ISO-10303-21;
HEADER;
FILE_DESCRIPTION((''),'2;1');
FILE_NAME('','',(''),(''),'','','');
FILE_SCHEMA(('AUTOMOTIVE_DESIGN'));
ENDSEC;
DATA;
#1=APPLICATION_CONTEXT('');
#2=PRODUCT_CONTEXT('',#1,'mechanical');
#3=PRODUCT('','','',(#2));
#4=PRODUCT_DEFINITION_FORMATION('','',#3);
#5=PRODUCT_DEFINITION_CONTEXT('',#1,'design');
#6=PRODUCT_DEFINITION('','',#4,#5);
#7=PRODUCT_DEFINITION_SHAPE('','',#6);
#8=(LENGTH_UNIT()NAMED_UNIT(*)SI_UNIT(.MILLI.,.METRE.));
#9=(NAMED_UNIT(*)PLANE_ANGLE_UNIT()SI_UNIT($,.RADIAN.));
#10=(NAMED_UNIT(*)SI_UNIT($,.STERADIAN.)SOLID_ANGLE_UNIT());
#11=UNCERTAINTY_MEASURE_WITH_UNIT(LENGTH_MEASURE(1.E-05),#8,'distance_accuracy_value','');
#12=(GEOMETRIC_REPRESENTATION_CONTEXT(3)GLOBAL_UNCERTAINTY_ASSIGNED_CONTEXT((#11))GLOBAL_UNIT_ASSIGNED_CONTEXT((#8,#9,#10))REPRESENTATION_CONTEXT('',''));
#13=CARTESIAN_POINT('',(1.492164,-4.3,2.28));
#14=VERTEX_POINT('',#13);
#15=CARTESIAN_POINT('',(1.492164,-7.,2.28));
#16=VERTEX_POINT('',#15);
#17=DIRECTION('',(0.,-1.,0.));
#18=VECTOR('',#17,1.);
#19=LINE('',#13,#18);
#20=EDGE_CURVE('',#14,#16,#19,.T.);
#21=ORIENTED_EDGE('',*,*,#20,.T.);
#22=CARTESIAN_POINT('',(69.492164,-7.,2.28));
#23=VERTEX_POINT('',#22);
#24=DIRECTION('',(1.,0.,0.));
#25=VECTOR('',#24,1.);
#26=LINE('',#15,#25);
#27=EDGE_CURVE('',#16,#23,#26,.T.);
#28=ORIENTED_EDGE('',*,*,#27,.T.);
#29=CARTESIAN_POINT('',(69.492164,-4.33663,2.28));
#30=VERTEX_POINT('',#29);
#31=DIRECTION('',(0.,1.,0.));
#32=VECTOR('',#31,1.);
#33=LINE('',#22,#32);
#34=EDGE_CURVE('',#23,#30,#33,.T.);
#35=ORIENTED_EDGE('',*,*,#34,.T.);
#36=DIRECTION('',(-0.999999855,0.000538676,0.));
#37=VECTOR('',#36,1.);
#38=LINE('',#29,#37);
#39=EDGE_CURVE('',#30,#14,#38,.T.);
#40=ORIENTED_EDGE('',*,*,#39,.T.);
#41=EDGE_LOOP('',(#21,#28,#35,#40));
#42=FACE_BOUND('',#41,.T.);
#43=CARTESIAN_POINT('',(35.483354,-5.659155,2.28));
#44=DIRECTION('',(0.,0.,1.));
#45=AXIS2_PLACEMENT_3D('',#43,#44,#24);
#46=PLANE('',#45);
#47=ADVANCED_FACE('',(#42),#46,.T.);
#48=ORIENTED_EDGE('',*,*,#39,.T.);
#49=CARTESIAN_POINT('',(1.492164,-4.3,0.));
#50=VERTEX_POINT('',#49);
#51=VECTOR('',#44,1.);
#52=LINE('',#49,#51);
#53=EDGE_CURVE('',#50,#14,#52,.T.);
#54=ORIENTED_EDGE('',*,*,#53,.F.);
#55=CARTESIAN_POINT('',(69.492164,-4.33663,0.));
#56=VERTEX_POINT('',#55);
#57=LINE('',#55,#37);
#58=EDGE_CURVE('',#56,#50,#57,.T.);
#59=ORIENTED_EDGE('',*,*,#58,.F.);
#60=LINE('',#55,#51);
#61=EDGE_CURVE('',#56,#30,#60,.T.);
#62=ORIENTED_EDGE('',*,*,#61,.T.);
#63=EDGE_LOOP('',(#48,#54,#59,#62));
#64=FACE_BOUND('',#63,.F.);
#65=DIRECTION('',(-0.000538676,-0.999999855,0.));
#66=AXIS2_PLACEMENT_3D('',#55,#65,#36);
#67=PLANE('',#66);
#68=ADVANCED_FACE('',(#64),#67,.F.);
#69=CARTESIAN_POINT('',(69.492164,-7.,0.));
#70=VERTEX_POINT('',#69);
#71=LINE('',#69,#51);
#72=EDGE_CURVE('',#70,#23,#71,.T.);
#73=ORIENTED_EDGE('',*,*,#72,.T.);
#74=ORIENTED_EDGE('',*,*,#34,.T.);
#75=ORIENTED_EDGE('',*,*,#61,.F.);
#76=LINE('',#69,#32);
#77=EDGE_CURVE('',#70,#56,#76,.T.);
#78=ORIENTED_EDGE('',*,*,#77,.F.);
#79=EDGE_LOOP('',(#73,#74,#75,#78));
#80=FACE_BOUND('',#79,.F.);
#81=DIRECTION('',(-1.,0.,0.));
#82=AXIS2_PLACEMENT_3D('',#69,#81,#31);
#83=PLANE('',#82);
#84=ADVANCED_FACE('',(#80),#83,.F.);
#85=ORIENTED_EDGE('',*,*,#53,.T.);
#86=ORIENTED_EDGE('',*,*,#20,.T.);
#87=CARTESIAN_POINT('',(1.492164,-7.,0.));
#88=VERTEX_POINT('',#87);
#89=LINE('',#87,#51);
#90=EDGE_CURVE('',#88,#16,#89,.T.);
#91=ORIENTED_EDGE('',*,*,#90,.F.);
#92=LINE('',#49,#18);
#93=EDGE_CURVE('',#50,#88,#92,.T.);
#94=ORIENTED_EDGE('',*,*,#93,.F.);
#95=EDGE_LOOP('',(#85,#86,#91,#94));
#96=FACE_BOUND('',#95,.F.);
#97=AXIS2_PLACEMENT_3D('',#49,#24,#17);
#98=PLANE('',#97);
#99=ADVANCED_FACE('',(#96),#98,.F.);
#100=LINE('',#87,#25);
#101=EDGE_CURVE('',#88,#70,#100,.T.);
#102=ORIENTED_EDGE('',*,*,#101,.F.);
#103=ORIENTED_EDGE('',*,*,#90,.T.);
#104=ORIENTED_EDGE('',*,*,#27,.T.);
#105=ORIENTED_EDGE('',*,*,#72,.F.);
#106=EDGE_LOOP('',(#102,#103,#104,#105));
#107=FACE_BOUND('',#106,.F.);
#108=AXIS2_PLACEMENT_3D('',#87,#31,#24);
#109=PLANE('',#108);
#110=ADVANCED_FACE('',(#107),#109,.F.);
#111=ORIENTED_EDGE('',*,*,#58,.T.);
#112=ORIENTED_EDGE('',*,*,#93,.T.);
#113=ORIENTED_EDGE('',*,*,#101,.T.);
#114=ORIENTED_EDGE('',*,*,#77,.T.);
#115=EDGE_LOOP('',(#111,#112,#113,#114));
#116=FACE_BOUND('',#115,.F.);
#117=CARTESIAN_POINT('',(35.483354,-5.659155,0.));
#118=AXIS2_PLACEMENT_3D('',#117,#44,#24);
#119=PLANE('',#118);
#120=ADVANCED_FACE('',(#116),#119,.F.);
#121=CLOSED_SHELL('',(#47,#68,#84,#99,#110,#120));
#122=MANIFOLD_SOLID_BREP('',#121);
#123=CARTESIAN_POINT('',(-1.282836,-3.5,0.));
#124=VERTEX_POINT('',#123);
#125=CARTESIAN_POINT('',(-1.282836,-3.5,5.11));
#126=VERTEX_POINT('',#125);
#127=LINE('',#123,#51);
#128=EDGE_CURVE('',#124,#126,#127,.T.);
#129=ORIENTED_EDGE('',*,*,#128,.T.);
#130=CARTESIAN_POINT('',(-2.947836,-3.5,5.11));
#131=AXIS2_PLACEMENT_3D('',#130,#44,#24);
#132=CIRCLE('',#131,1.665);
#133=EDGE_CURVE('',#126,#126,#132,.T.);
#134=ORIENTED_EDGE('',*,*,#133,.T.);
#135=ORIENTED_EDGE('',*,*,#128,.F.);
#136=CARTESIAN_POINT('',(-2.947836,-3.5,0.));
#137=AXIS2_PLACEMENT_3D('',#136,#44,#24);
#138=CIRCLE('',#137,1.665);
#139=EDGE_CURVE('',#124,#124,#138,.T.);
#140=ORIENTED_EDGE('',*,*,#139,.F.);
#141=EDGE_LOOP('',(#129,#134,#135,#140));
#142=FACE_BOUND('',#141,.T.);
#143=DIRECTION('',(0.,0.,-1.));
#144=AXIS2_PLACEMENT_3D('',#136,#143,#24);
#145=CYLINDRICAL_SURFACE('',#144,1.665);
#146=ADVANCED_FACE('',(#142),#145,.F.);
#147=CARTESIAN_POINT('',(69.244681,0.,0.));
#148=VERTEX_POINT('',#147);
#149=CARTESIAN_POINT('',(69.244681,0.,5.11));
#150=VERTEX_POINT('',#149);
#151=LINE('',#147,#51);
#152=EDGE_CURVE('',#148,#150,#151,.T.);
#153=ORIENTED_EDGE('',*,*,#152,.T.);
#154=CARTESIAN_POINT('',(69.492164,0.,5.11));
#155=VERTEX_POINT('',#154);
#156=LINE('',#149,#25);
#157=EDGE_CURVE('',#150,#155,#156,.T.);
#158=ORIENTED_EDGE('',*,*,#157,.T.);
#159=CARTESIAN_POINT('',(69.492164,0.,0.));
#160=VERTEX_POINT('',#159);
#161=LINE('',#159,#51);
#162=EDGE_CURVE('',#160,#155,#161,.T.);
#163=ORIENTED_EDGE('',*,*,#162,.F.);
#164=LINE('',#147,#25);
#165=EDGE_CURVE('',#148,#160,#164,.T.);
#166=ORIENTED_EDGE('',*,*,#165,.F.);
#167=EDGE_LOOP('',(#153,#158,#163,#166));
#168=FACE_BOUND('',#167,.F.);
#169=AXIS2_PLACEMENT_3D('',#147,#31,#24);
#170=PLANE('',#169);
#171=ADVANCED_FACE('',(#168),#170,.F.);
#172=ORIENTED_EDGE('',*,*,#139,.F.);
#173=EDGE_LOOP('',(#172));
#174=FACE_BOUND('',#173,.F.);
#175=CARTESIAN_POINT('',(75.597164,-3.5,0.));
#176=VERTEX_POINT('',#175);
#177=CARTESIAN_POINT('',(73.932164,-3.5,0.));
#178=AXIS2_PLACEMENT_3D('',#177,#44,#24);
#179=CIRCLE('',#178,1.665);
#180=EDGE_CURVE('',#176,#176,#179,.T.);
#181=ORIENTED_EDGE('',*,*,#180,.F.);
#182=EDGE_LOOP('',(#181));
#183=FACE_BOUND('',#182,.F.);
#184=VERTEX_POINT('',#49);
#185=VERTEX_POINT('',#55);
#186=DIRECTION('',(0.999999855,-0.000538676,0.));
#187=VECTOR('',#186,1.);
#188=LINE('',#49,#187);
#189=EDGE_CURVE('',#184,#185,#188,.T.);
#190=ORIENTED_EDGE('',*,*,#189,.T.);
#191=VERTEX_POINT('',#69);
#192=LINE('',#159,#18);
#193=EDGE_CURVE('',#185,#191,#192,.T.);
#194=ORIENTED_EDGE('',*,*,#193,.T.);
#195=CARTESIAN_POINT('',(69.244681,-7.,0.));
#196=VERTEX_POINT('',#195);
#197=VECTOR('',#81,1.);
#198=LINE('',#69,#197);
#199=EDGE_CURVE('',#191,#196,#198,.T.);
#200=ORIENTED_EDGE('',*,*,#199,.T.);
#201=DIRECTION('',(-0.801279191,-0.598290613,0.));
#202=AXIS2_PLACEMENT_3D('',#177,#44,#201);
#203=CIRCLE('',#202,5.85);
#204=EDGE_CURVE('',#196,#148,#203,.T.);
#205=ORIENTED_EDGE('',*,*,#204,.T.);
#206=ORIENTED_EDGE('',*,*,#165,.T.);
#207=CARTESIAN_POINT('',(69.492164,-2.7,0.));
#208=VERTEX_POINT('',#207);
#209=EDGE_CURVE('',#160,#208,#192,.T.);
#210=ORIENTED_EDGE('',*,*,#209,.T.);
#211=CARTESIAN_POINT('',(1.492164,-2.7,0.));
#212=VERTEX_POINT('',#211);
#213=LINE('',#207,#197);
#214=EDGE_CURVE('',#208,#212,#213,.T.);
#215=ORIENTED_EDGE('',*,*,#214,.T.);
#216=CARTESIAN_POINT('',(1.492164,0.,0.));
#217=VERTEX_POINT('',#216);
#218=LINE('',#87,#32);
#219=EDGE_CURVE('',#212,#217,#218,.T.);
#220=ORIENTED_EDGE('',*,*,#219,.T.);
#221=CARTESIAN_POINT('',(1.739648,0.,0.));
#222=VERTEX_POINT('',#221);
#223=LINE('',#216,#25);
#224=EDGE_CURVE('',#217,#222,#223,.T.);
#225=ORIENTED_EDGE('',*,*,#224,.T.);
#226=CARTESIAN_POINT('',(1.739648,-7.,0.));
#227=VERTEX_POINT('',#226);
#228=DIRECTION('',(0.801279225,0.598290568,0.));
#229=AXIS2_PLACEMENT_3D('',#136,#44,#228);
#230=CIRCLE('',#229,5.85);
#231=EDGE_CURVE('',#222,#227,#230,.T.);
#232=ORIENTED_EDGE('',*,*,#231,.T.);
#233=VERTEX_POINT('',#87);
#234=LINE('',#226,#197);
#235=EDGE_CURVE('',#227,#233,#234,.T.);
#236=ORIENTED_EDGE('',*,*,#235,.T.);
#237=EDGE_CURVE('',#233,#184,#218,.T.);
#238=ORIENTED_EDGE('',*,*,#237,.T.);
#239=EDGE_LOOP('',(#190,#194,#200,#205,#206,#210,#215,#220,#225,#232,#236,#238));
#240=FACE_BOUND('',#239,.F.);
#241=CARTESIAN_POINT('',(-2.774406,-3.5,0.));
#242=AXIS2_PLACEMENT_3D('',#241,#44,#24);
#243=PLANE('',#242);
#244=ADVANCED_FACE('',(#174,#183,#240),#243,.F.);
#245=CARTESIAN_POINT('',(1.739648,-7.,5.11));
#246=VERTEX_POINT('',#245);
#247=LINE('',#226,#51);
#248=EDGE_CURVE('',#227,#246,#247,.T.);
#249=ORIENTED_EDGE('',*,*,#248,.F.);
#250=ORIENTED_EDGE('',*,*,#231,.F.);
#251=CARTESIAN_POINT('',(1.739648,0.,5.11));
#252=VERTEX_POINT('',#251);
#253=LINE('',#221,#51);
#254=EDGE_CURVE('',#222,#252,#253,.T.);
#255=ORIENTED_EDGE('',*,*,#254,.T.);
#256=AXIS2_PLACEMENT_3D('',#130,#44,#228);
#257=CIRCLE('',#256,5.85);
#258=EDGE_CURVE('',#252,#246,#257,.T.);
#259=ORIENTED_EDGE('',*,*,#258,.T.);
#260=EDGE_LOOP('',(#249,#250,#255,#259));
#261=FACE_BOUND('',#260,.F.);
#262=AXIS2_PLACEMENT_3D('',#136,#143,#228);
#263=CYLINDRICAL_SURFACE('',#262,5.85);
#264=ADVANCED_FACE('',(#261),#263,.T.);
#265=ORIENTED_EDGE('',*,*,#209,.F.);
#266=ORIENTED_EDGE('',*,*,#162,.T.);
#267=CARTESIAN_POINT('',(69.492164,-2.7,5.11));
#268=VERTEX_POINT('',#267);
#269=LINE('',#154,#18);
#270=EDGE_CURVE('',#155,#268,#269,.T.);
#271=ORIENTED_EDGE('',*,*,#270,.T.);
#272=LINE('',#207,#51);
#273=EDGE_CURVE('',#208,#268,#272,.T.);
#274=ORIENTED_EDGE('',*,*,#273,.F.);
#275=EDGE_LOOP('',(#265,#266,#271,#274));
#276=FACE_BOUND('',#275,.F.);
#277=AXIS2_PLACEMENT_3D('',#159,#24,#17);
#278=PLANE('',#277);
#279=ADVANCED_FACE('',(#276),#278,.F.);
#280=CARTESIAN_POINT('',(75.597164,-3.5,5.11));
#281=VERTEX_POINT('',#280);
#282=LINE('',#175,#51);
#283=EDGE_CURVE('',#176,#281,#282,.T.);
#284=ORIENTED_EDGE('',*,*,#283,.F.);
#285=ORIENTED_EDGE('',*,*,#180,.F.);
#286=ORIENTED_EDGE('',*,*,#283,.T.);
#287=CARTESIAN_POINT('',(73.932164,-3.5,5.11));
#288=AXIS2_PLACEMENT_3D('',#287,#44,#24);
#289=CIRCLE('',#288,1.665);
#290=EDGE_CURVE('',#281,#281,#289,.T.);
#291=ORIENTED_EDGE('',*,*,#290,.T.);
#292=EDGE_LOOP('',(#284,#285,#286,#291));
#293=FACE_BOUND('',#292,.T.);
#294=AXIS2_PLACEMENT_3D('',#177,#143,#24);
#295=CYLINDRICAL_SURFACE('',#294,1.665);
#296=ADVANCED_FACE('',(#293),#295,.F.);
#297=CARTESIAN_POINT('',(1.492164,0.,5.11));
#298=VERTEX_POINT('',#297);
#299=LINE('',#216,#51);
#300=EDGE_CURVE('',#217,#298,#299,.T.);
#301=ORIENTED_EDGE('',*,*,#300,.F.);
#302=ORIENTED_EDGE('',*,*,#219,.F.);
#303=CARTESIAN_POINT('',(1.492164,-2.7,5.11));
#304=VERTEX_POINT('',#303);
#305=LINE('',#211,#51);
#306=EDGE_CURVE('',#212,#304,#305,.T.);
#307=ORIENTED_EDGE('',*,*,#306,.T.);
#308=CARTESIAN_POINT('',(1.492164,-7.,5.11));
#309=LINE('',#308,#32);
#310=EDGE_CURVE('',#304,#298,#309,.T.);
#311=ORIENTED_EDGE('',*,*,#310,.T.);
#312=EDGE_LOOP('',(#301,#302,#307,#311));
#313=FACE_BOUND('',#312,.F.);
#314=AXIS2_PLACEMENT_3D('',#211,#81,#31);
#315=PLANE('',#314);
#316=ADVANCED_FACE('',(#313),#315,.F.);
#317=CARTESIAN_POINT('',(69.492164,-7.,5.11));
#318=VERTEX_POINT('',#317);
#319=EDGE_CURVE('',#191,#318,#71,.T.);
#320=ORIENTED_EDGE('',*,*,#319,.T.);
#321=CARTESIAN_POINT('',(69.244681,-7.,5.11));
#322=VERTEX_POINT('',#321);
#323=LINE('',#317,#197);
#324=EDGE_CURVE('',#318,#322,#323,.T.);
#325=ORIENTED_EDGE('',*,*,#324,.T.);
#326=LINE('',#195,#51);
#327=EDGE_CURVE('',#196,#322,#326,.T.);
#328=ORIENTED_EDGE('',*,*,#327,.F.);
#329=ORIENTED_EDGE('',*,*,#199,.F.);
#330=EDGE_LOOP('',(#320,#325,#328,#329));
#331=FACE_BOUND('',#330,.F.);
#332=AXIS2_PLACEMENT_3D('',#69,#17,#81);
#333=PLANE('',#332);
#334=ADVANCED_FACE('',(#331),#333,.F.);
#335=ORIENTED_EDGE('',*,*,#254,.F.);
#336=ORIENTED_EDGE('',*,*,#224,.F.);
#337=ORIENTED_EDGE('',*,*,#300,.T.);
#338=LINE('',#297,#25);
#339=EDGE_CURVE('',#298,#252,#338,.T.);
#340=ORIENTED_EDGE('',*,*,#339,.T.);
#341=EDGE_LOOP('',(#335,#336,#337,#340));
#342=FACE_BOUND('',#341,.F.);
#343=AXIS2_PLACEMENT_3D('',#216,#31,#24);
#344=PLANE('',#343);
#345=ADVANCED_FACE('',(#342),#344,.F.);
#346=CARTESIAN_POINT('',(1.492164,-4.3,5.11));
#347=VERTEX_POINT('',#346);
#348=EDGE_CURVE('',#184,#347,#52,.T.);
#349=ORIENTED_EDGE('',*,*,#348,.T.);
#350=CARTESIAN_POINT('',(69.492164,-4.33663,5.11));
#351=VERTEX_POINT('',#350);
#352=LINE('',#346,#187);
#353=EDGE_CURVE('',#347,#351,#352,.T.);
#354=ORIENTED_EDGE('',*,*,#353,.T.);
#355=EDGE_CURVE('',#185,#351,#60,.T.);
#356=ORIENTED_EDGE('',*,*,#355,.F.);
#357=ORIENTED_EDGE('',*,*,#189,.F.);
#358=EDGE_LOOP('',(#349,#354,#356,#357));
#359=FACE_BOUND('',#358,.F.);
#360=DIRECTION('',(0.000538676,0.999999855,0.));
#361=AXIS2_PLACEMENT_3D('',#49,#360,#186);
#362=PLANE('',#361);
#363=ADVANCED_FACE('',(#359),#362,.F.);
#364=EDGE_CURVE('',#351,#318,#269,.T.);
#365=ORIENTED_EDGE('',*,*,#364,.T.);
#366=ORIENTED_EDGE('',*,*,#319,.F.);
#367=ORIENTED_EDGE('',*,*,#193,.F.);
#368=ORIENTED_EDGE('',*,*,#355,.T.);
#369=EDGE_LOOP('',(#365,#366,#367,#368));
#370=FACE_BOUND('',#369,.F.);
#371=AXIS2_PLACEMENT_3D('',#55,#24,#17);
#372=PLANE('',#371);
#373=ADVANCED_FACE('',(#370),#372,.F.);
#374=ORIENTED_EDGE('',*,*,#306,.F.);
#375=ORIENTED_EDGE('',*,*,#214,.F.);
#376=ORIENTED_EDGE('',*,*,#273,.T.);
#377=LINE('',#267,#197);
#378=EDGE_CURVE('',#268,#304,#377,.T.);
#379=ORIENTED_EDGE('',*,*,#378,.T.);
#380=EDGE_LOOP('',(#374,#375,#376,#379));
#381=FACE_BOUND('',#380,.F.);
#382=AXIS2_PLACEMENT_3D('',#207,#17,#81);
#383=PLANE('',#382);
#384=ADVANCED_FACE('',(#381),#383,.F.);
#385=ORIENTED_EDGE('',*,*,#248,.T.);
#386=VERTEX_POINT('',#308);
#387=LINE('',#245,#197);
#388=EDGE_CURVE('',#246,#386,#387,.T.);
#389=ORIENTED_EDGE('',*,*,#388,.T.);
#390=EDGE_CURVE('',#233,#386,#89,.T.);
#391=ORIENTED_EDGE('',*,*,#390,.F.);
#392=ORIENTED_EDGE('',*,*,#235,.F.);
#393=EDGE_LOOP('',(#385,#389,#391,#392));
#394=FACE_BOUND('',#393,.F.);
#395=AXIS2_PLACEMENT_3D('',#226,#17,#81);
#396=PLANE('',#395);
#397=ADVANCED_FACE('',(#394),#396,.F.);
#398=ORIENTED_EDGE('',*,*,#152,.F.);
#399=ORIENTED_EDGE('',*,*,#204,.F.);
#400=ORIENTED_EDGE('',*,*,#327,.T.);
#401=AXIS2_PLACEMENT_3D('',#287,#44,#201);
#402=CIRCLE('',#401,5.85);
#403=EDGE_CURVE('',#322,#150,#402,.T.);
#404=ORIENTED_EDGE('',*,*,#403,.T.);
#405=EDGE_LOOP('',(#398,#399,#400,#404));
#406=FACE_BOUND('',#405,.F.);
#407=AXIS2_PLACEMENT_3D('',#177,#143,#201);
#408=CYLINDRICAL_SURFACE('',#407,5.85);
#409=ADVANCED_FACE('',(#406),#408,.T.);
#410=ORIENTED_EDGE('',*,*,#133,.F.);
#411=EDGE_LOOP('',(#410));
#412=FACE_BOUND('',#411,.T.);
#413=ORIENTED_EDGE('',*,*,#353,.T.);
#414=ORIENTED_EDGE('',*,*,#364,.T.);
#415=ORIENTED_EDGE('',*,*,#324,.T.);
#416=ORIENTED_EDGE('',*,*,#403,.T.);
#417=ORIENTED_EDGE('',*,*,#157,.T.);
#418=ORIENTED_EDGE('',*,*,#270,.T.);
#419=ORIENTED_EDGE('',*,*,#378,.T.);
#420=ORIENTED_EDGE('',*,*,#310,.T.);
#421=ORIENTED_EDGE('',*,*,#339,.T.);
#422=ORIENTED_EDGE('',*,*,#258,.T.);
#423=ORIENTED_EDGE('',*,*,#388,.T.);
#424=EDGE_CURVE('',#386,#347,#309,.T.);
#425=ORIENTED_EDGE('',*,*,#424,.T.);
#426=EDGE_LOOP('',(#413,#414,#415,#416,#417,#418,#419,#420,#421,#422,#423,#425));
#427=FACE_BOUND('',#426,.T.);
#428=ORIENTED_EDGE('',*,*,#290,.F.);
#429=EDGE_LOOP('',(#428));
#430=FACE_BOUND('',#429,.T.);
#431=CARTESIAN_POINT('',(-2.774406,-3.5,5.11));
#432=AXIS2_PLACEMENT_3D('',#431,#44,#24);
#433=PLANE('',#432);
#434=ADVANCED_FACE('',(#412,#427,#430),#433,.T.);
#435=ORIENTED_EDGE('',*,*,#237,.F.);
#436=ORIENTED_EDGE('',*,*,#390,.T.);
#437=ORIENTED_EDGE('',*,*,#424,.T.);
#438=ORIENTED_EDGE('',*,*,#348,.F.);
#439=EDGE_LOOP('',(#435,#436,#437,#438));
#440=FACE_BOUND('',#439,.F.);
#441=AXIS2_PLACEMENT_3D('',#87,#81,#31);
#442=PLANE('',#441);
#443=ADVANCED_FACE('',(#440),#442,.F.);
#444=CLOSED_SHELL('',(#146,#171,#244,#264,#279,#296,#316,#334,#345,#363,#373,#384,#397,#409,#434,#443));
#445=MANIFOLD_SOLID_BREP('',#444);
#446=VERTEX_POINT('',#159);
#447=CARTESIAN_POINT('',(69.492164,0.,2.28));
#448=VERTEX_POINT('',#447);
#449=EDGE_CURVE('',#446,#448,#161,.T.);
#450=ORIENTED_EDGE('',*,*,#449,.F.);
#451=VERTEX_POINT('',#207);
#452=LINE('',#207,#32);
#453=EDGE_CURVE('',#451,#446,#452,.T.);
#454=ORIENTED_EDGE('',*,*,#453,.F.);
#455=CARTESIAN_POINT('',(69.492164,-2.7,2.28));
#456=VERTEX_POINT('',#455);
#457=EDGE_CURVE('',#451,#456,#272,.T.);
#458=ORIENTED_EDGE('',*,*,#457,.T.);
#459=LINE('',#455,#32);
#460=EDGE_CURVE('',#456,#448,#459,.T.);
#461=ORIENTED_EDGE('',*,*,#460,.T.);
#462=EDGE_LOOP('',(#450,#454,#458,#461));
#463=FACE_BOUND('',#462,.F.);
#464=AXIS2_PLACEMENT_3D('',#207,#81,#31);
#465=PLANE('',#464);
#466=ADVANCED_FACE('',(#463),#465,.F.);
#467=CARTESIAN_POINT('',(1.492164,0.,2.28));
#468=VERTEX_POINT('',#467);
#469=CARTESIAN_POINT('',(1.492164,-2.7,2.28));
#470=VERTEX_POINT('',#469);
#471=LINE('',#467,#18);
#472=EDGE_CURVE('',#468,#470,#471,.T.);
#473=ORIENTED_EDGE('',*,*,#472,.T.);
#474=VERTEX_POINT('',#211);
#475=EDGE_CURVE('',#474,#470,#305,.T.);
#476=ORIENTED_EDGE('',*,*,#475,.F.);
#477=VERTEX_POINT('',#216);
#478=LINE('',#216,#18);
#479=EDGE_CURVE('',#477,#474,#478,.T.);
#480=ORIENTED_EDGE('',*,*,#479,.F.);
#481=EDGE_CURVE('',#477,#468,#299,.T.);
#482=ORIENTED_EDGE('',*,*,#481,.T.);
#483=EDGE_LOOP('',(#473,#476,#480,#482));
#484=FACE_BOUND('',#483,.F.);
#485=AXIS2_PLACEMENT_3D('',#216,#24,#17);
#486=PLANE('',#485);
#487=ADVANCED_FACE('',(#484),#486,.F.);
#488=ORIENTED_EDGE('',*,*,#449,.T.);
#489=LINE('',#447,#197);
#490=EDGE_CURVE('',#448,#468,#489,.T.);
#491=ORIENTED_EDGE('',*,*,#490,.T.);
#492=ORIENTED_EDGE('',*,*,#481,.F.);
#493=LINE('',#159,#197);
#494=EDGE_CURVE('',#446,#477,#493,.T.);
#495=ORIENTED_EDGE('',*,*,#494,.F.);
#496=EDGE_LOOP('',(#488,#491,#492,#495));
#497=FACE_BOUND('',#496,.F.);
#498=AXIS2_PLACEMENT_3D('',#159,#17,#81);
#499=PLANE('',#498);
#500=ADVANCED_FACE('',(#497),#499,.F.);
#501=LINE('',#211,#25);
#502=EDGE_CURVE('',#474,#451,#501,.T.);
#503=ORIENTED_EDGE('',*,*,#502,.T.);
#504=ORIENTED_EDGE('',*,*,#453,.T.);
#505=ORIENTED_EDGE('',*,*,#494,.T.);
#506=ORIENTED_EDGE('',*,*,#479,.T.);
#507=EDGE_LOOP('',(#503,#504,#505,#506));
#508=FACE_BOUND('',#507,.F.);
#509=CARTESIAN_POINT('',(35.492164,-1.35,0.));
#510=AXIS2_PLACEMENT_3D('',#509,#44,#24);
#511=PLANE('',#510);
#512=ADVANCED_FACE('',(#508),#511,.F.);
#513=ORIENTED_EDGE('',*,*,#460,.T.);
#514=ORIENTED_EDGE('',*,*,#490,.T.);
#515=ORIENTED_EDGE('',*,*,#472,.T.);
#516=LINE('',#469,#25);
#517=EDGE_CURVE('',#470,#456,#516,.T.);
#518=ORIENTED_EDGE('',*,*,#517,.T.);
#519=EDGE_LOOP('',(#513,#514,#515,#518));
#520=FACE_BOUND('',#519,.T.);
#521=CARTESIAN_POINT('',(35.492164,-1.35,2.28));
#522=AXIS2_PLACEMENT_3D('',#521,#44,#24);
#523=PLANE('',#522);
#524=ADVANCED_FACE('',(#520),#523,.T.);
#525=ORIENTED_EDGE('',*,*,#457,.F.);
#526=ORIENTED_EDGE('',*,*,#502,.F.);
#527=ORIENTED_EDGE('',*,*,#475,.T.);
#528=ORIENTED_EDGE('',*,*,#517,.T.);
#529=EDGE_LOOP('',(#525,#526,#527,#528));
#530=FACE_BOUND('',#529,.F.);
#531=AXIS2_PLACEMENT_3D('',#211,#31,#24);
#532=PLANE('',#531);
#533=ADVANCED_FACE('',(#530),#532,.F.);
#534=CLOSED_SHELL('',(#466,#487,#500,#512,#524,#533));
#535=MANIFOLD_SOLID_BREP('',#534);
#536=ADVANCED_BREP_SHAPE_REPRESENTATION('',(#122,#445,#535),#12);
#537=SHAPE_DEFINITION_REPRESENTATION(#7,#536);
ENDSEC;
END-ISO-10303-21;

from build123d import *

# Parameters (mm, degrees)
F1_DEPTH = 2.28
F0_R     = 1.665
F2_DEPTH = 5.11


with BuildPart() as f1:
    # F0 (on Top) → F1 (new body)
    with BuildSketch(Plane.XY):
        Polygon((1.739648, 0), (1.492164, 0), (1.492164, -2.7), (69.492164, -2.7), (69.492164, 0), (69.244681, 0), align=None)
        Polygon((1.492164, -7), (1.739648, -7), (69.244681, -7), (69.492164, -7), (69.492164, -4.33663), (1.492164, -4.3), align=None)
    extrude(amount=F1_DEPTH)


with BuildPart() as f2:
    # F0 (on Top) → F2 (new body)
    with BuildSketch(Plane.XY):
        with BuildLine():
            Line((1.492164, -2.7), (1.492164, 0))
            Line((1.492164, 0), (1.739648, 0))
            ThreePointArc((1.739648, 0), (-8.797836, -3.5), (1.739648, -7))
            Line((1.739648, -7), (1.492164, -7))
            Line((1.492164, -7), (1.492164, -4.3))
            Line((1.492164, -4.3), (1.492164, -2.7))
        make_face()
        with Locations((-2.947836, -3.5)):
            Circle(F0_R, mode=Mode.SUBTRACT)
        Polygon((69.492164, -2.7), (1.492164, -2.7), (1.492164, -4.3), (69.492164, -4.33663), align=None)
        with BuildLine():
            ThreePointArc((69.244681, -7), (79.782164, -3.5), (69.244681, 0))
            Line((69.244681, 0), (69.492164, 0))
            Line((69.492164, 0), (69.492164, -2.7))
            Line((69.492164, -2.7), (69.492164, -4.33663))
            Line((69.492164, -4.33663), (69.492164, -7))
            Line((69.492164, -7), (69.244681, -7))
        make_face()
        with Locations((73.932164, -3.5)):
            Circle(F0_R, mode=Mode.SUBTRACT)
    extrude(amount=F2_DEPTH)


solid = Compound([f1.part, f2.part])
